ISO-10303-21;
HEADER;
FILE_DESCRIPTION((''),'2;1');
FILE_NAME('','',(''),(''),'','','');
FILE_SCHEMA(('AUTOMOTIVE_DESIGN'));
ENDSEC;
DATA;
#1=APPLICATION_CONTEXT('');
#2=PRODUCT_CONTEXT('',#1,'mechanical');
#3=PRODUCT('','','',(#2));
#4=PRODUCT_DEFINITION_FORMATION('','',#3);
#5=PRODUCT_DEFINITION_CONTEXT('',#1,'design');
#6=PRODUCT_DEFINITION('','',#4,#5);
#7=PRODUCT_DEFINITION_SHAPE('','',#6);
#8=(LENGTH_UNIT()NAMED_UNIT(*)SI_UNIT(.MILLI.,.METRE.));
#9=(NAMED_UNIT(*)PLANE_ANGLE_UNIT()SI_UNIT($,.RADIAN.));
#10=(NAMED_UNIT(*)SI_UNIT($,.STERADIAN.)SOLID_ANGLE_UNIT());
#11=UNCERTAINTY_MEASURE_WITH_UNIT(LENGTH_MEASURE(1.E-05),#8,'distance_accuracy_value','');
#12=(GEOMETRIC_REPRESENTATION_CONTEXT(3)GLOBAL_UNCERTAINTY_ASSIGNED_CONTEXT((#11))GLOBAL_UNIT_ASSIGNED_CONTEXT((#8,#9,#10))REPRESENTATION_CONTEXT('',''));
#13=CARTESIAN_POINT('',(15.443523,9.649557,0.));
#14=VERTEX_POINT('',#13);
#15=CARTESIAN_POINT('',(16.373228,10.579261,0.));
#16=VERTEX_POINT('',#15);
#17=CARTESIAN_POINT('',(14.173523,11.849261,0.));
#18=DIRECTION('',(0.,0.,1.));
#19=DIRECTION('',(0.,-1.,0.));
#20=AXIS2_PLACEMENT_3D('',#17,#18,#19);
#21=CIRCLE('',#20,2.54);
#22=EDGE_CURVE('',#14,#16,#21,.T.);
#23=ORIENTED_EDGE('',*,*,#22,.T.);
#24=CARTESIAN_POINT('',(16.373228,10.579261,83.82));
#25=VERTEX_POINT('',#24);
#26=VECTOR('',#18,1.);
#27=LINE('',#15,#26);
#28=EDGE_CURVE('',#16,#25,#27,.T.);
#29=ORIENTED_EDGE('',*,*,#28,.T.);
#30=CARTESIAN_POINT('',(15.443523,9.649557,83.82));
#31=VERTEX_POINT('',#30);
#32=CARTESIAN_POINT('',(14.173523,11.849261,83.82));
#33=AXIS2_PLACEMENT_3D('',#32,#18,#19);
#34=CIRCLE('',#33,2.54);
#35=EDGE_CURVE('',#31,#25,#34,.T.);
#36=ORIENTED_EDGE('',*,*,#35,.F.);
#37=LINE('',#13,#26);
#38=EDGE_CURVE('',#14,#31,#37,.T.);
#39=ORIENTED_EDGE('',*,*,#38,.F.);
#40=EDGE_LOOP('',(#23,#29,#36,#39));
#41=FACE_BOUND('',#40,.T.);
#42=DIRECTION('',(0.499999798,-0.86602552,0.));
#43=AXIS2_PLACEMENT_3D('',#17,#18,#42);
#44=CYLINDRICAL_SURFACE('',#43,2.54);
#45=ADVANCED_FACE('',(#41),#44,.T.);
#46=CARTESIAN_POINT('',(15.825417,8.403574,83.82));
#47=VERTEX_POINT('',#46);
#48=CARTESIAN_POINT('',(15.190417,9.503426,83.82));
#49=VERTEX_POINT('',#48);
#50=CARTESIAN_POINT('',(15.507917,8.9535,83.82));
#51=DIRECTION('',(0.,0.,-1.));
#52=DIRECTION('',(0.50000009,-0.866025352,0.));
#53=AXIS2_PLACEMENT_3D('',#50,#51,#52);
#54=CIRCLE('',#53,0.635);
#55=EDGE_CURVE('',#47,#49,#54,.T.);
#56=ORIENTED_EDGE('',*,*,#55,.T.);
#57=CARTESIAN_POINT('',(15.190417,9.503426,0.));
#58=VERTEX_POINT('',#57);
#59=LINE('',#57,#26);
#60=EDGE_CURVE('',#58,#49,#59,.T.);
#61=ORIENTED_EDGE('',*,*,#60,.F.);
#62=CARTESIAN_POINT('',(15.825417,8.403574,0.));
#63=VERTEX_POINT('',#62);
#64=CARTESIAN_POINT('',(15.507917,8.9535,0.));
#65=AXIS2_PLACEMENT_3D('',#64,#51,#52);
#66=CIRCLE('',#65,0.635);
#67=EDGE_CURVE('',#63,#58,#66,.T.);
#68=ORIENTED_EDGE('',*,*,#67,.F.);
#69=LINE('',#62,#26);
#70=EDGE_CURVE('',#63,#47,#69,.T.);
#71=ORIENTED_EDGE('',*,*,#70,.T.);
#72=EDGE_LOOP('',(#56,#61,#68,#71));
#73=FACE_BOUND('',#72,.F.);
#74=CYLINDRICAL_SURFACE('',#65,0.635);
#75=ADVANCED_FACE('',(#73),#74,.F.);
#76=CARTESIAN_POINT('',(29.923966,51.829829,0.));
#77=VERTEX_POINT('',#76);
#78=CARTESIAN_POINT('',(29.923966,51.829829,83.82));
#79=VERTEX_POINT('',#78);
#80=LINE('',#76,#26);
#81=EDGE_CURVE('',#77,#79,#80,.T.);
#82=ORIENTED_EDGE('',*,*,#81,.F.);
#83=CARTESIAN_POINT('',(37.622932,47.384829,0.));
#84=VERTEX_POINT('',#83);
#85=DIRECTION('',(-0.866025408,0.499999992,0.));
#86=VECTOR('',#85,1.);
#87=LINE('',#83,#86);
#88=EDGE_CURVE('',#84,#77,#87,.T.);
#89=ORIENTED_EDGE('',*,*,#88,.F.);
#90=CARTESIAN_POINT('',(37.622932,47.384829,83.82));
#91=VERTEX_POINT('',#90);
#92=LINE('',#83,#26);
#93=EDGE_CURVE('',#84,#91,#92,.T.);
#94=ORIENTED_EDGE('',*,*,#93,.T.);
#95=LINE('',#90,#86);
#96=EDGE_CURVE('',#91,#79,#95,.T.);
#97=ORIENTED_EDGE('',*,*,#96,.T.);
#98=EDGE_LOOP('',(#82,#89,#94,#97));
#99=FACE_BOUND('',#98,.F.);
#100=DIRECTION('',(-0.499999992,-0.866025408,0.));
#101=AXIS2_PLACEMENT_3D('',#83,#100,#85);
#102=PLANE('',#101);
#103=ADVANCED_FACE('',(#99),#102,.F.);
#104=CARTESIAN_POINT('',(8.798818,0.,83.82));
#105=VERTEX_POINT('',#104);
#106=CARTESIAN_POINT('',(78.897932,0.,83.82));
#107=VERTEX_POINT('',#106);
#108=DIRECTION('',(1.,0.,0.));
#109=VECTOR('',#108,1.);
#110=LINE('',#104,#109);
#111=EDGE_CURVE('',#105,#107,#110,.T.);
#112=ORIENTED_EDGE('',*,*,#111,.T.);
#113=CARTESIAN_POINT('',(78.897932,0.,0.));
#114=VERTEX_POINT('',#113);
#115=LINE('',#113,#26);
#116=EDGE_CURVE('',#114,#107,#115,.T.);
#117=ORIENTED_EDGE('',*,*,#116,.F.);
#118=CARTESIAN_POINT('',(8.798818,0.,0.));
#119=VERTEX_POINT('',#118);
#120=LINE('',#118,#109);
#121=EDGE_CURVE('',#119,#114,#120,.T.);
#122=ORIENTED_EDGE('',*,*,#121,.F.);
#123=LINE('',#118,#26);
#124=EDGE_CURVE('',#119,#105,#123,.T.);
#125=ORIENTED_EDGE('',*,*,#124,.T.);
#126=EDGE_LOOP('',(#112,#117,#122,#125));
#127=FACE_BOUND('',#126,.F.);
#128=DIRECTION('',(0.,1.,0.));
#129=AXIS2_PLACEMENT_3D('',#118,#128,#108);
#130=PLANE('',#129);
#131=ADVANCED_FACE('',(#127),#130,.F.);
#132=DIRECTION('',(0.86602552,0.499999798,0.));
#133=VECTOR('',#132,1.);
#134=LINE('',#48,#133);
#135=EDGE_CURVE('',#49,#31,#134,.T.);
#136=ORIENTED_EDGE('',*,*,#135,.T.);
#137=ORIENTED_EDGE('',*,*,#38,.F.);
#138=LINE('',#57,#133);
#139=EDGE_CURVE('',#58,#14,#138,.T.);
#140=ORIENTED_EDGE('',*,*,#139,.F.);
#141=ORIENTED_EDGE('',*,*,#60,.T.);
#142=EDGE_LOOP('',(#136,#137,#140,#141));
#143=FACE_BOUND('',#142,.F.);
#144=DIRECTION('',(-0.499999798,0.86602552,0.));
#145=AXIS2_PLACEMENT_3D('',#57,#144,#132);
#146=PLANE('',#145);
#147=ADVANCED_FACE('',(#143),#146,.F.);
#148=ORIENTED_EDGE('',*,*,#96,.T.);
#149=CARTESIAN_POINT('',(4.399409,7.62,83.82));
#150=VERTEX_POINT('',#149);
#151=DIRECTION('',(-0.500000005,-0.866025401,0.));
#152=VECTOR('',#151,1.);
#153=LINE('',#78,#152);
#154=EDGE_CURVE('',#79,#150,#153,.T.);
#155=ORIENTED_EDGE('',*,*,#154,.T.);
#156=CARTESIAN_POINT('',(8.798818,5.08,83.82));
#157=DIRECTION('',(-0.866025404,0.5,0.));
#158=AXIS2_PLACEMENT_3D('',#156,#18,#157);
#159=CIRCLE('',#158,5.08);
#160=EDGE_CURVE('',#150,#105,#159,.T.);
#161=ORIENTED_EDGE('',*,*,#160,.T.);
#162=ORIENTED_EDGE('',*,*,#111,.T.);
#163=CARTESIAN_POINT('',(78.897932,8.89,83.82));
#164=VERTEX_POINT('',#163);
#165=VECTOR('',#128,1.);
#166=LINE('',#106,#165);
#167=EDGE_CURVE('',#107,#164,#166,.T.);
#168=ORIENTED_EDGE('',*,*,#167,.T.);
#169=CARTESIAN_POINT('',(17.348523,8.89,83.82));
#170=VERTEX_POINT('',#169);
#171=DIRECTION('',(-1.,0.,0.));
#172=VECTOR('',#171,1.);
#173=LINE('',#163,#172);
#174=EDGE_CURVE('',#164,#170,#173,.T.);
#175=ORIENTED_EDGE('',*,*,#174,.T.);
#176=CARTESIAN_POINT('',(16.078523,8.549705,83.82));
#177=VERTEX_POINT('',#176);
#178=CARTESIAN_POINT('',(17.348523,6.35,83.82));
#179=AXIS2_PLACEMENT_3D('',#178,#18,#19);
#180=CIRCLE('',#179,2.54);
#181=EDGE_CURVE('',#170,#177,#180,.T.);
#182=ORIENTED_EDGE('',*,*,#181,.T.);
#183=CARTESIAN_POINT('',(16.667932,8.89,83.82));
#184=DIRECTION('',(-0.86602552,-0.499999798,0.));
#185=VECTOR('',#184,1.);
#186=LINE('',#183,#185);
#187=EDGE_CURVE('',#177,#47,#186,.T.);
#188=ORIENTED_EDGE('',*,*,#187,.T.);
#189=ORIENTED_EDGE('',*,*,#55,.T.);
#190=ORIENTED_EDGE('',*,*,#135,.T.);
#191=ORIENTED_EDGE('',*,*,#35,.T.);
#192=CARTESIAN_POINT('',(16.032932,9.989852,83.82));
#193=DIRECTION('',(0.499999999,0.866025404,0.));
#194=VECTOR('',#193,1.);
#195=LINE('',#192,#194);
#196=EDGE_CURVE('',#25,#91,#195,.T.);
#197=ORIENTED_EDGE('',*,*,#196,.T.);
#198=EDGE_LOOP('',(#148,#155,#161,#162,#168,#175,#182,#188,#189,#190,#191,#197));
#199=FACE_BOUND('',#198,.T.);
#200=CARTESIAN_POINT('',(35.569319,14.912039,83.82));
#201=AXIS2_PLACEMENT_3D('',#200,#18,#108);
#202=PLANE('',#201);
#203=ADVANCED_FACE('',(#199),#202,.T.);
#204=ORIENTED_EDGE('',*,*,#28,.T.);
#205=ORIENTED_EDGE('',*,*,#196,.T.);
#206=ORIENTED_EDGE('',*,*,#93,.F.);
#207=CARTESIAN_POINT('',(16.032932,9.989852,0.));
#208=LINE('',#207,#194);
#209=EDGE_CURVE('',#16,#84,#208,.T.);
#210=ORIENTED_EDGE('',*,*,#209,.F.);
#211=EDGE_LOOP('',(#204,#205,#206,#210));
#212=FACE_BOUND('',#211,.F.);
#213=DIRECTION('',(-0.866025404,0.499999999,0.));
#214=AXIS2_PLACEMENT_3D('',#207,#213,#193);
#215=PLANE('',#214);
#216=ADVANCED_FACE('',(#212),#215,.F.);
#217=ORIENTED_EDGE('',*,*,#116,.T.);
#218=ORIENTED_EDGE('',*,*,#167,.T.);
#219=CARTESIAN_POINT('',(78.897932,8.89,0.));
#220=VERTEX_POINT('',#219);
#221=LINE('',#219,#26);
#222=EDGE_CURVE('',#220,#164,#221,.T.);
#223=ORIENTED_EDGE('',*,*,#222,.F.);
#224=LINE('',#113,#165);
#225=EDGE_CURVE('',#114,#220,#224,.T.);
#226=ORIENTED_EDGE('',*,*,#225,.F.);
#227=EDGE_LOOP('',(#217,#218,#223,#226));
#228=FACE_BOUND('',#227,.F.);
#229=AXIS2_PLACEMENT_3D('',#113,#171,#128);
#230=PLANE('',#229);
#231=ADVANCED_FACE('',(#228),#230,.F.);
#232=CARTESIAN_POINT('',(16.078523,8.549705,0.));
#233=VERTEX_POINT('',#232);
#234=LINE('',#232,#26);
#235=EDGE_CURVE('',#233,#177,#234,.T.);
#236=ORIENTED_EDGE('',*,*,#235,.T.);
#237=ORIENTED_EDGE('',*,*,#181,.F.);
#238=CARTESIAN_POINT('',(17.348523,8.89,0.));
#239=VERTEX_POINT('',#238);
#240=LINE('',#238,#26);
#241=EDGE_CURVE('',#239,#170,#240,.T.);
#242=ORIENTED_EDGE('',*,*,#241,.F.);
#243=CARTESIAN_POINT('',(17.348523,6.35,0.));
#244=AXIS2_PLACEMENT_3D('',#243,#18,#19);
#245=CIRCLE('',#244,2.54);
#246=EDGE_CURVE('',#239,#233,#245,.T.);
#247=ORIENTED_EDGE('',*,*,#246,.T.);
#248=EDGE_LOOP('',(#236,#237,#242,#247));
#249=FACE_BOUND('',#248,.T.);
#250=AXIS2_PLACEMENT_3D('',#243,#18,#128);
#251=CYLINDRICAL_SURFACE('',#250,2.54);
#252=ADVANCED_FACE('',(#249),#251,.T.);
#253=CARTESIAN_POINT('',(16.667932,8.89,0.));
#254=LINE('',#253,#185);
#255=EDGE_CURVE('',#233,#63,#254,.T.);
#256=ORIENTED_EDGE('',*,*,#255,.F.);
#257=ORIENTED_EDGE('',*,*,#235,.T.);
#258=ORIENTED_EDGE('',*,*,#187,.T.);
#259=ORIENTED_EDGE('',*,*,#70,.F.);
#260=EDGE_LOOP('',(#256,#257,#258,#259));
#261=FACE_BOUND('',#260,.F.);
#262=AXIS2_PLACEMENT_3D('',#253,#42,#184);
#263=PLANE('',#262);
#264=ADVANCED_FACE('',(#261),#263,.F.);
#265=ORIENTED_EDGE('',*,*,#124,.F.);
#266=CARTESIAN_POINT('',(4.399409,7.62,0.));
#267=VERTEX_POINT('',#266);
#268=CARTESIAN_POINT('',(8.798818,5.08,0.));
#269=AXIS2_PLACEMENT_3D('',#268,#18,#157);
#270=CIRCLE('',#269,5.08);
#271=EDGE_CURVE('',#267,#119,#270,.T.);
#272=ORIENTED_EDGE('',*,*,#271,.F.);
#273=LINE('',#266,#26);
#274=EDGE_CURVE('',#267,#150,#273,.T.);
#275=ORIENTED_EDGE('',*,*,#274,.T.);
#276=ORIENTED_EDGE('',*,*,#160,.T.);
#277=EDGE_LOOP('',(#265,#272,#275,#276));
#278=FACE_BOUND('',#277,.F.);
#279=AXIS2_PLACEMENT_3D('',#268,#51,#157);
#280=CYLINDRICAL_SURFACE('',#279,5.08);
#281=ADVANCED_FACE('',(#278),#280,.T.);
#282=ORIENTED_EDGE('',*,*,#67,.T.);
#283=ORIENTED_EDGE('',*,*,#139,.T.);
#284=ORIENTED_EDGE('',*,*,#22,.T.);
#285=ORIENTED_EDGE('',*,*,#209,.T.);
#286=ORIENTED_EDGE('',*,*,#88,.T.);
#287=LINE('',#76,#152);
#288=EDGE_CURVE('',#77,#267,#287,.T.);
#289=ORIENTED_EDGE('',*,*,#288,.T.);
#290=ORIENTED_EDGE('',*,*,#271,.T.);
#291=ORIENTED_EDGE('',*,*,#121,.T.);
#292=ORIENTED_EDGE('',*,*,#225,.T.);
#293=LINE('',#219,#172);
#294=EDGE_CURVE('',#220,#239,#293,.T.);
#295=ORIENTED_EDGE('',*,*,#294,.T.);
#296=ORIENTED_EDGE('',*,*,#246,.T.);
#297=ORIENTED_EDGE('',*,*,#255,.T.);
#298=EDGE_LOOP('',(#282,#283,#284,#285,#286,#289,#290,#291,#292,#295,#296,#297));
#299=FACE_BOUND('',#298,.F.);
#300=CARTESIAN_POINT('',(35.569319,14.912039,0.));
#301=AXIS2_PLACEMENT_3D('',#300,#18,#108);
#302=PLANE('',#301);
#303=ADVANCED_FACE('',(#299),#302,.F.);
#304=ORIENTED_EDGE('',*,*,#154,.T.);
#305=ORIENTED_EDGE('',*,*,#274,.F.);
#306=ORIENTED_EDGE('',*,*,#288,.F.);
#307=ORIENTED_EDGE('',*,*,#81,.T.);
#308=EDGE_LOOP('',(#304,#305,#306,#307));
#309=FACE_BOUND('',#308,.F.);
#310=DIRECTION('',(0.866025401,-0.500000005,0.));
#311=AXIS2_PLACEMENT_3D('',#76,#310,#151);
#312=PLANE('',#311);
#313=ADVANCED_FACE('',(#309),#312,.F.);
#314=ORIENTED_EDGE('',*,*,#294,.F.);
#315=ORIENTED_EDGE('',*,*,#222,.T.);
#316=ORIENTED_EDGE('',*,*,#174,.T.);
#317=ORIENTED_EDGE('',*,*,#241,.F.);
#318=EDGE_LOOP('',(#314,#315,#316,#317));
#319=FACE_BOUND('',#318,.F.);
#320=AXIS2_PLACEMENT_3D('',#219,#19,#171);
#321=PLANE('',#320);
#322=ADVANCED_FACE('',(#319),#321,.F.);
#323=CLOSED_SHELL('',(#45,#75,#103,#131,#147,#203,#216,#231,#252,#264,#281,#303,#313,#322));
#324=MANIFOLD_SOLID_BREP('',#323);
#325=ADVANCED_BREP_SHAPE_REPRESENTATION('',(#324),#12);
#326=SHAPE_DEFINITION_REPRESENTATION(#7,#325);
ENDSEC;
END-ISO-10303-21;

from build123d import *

# Parameters (mm, degrees)
F1_DEPTH = 83.82
F2_R     = 2.54


with BuildPart() as f1:
    # F0 (on Top) → F1 (new body)
    with BuildSketch(Plane.XY):
        with BuildLine():
            ThreePointArc((4.399409, 7.62), (4.399409, 2.54), (8.798818, 0))
            Line((8.798818, 0), (78.897932, 0))
            Line((78.897932, 0), (78.897932, 8.89))
            Line((78.897932, 8.89), (16.667932, 8.89))
            Line((16.667932, 8.89), (15.825417, 8.403574))
            ThreePointArc((15.825417, 8.403574), (14.957991, 8.636), (15.190417, 9.503426))
            Line((15.190417, 9.503426), (16.032932, 9.989852))
            Line((16.032932, 9.989852), (37.622932, 47.384829))
            Line((37.622932, 47.384829), (29.923966, 51.829829))
            Line((29.923966, 51.829829), (4.399409, 7.62))
        make_face()
    extrude(amount=F1_DEPTH)

    # F2
    f2_edges = [f1.edges().sort_by_distance(p)[0] for p in [
        (16.032932, 9.989852, 41.91),
        (16.667932, 8.89, 41.91),
    ]]
    fillet(f2_edges, radius=F2_R)


solid = f1.part
